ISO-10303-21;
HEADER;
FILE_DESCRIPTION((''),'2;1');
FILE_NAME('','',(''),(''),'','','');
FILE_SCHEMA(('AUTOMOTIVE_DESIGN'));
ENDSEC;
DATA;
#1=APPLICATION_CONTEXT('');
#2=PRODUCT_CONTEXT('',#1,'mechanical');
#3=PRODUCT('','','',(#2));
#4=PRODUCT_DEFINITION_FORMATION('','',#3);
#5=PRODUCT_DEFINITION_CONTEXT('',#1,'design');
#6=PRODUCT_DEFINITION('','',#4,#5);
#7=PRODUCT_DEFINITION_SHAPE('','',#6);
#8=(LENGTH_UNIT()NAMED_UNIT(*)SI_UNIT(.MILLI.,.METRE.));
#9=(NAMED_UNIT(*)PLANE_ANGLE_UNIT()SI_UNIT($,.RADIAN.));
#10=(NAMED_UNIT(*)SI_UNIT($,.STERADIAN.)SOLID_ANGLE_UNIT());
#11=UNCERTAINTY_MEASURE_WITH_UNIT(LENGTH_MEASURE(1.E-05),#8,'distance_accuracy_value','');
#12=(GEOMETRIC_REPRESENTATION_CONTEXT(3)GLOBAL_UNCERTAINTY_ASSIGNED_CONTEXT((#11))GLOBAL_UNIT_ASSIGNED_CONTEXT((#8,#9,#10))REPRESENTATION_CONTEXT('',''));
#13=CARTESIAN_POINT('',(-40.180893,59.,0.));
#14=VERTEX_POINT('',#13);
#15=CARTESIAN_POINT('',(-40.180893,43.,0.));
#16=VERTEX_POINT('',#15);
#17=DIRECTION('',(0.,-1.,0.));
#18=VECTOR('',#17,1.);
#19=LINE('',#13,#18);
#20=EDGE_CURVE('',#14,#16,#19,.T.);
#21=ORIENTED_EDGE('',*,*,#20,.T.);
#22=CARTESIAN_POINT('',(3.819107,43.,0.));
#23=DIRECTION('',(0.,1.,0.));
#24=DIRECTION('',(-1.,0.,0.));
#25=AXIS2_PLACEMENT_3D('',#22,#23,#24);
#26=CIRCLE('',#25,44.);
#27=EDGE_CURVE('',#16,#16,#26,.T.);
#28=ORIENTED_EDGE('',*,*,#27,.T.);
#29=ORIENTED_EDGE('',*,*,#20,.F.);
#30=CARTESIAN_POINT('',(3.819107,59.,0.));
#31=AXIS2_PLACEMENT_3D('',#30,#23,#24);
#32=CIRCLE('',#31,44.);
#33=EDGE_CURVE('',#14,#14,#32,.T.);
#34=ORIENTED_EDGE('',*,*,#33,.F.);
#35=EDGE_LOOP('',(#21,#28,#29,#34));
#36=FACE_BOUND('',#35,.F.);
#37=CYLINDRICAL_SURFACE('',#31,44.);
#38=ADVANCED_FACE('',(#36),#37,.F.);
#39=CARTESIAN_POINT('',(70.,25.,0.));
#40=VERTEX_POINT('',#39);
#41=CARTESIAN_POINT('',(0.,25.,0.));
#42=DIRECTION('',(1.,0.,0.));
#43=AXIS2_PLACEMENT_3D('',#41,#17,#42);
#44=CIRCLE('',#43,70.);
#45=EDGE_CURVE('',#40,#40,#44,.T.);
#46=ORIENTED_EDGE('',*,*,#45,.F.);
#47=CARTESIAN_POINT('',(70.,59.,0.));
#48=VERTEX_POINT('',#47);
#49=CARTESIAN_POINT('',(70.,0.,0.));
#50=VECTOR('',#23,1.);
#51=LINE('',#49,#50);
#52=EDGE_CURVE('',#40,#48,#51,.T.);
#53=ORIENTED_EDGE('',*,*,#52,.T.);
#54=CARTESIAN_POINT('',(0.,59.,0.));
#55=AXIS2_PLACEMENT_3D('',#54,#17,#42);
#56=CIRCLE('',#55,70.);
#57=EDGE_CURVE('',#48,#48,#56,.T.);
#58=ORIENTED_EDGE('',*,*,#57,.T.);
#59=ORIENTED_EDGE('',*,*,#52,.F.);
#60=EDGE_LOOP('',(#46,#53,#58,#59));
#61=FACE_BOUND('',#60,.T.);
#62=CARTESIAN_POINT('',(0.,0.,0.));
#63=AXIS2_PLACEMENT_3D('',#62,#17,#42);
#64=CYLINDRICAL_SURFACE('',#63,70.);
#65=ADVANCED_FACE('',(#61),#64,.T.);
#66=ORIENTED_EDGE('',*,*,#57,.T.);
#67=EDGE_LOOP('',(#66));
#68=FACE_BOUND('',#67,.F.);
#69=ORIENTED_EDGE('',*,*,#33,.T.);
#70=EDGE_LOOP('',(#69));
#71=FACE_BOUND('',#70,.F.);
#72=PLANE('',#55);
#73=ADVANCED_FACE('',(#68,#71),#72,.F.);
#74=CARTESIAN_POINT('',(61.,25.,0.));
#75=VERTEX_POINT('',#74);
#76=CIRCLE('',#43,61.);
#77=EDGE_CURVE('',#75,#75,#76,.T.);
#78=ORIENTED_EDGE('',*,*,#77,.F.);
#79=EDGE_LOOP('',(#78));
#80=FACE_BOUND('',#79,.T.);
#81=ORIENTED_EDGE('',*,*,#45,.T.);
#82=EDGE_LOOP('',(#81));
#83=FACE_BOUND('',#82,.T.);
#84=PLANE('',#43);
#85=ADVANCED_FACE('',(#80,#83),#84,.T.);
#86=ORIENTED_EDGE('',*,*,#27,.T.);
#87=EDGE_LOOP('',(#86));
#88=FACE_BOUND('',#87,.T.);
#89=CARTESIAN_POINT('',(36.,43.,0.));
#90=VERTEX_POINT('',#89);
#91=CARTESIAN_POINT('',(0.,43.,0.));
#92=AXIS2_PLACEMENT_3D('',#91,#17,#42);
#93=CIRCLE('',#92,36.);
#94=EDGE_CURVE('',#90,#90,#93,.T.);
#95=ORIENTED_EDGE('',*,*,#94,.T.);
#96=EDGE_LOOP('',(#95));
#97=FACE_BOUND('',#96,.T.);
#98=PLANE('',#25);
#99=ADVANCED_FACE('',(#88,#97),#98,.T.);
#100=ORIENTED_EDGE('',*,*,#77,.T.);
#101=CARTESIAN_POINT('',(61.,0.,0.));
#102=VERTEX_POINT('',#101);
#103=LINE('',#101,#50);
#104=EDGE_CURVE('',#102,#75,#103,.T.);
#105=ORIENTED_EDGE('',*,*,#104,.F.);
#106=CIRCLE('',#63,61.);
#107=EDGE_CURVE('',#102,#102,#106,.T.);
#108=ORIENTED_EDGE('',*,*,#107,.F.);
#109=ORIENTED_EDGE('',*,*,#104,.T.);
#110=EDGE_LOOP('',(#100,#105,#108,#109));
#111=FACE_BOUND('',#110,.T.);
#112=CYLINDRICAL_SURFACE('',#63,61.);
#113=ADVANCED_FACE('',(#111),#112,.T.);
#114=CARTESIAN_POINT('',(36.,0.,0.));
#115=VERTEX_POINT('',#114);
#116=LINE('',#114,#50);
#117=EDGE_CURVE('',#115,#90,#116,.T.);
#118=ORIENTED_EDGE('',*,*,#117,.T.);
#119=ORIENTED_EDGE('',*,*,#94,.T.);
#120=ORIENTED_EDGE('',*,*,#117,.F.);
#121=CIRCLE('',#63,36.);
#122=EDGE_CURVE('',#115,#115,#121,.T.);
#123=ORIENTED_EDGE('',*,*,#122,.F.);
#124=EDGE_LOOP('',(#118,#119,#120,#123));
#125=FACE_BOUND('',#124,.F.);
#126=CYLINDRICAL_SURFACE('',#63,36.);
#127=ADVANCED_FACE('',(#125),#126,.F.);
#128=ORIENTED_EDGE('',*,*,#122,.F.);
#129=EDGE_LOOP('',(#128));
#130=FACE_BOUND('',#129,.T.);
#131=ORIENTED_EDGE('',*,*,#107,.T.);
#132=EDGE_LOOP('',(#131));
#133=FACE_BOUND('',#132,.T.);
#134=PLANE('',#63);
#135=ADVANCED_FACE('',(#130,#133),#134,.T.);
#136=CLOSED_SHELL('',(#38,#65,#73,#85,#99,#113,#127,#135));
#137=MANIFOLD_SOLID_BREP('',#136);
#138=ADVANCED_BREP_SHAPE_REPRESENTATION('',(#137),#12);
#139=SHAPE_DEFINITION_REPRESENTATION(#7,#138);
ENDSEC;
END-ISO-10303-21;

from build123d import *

# Parameters (mm, degrees)
F0_R     = 70
F1_DEPTH = 59
F2_R     = 70
F2_R_2   = 61
F3_DEPTH = 25
F4_R     = 36
F5_DEPTH = 59
F6_R     = 44
F7_DEPTH = 16


with BuildPart() as f1:
    # F0 (on Front) → F1 (new body)
    with BuildSketch(Plane.XZ):
        Circle(F0_R)
    extrude(amount=-F1_DEPTH)

    # F2 (on face) → F3 (cut)
    with BuildSketch(Plane.XZ):
        Circle(F2_R)
        Circle(F2_R_2, mode=Mode.SUBTRACT)
    extrude(amount=-F3_DEPTH, mode=Mode.SUBTRACT)

    # F4 (on face) → F5 (cut, through all)
    with BuildSketch(Plane.XZ):
        Circle(F4_R)
    extrude(amount=-F5_DEPTH, mode=Mode.SUBTRACT)

    # F6 (on face) → F7 (cut)
    with BuildSketch(Plane(origin=(0, 59, 0), x_dir=(-1, 0, 0), z_dir=(0, 1, 0))):
        with Locations((-3.819107, 0)):
            Circle(F6_R)
    extrude(amount=-F7_DEPTH, mode=Mode.SUBTRACT)


solid = f1.part
